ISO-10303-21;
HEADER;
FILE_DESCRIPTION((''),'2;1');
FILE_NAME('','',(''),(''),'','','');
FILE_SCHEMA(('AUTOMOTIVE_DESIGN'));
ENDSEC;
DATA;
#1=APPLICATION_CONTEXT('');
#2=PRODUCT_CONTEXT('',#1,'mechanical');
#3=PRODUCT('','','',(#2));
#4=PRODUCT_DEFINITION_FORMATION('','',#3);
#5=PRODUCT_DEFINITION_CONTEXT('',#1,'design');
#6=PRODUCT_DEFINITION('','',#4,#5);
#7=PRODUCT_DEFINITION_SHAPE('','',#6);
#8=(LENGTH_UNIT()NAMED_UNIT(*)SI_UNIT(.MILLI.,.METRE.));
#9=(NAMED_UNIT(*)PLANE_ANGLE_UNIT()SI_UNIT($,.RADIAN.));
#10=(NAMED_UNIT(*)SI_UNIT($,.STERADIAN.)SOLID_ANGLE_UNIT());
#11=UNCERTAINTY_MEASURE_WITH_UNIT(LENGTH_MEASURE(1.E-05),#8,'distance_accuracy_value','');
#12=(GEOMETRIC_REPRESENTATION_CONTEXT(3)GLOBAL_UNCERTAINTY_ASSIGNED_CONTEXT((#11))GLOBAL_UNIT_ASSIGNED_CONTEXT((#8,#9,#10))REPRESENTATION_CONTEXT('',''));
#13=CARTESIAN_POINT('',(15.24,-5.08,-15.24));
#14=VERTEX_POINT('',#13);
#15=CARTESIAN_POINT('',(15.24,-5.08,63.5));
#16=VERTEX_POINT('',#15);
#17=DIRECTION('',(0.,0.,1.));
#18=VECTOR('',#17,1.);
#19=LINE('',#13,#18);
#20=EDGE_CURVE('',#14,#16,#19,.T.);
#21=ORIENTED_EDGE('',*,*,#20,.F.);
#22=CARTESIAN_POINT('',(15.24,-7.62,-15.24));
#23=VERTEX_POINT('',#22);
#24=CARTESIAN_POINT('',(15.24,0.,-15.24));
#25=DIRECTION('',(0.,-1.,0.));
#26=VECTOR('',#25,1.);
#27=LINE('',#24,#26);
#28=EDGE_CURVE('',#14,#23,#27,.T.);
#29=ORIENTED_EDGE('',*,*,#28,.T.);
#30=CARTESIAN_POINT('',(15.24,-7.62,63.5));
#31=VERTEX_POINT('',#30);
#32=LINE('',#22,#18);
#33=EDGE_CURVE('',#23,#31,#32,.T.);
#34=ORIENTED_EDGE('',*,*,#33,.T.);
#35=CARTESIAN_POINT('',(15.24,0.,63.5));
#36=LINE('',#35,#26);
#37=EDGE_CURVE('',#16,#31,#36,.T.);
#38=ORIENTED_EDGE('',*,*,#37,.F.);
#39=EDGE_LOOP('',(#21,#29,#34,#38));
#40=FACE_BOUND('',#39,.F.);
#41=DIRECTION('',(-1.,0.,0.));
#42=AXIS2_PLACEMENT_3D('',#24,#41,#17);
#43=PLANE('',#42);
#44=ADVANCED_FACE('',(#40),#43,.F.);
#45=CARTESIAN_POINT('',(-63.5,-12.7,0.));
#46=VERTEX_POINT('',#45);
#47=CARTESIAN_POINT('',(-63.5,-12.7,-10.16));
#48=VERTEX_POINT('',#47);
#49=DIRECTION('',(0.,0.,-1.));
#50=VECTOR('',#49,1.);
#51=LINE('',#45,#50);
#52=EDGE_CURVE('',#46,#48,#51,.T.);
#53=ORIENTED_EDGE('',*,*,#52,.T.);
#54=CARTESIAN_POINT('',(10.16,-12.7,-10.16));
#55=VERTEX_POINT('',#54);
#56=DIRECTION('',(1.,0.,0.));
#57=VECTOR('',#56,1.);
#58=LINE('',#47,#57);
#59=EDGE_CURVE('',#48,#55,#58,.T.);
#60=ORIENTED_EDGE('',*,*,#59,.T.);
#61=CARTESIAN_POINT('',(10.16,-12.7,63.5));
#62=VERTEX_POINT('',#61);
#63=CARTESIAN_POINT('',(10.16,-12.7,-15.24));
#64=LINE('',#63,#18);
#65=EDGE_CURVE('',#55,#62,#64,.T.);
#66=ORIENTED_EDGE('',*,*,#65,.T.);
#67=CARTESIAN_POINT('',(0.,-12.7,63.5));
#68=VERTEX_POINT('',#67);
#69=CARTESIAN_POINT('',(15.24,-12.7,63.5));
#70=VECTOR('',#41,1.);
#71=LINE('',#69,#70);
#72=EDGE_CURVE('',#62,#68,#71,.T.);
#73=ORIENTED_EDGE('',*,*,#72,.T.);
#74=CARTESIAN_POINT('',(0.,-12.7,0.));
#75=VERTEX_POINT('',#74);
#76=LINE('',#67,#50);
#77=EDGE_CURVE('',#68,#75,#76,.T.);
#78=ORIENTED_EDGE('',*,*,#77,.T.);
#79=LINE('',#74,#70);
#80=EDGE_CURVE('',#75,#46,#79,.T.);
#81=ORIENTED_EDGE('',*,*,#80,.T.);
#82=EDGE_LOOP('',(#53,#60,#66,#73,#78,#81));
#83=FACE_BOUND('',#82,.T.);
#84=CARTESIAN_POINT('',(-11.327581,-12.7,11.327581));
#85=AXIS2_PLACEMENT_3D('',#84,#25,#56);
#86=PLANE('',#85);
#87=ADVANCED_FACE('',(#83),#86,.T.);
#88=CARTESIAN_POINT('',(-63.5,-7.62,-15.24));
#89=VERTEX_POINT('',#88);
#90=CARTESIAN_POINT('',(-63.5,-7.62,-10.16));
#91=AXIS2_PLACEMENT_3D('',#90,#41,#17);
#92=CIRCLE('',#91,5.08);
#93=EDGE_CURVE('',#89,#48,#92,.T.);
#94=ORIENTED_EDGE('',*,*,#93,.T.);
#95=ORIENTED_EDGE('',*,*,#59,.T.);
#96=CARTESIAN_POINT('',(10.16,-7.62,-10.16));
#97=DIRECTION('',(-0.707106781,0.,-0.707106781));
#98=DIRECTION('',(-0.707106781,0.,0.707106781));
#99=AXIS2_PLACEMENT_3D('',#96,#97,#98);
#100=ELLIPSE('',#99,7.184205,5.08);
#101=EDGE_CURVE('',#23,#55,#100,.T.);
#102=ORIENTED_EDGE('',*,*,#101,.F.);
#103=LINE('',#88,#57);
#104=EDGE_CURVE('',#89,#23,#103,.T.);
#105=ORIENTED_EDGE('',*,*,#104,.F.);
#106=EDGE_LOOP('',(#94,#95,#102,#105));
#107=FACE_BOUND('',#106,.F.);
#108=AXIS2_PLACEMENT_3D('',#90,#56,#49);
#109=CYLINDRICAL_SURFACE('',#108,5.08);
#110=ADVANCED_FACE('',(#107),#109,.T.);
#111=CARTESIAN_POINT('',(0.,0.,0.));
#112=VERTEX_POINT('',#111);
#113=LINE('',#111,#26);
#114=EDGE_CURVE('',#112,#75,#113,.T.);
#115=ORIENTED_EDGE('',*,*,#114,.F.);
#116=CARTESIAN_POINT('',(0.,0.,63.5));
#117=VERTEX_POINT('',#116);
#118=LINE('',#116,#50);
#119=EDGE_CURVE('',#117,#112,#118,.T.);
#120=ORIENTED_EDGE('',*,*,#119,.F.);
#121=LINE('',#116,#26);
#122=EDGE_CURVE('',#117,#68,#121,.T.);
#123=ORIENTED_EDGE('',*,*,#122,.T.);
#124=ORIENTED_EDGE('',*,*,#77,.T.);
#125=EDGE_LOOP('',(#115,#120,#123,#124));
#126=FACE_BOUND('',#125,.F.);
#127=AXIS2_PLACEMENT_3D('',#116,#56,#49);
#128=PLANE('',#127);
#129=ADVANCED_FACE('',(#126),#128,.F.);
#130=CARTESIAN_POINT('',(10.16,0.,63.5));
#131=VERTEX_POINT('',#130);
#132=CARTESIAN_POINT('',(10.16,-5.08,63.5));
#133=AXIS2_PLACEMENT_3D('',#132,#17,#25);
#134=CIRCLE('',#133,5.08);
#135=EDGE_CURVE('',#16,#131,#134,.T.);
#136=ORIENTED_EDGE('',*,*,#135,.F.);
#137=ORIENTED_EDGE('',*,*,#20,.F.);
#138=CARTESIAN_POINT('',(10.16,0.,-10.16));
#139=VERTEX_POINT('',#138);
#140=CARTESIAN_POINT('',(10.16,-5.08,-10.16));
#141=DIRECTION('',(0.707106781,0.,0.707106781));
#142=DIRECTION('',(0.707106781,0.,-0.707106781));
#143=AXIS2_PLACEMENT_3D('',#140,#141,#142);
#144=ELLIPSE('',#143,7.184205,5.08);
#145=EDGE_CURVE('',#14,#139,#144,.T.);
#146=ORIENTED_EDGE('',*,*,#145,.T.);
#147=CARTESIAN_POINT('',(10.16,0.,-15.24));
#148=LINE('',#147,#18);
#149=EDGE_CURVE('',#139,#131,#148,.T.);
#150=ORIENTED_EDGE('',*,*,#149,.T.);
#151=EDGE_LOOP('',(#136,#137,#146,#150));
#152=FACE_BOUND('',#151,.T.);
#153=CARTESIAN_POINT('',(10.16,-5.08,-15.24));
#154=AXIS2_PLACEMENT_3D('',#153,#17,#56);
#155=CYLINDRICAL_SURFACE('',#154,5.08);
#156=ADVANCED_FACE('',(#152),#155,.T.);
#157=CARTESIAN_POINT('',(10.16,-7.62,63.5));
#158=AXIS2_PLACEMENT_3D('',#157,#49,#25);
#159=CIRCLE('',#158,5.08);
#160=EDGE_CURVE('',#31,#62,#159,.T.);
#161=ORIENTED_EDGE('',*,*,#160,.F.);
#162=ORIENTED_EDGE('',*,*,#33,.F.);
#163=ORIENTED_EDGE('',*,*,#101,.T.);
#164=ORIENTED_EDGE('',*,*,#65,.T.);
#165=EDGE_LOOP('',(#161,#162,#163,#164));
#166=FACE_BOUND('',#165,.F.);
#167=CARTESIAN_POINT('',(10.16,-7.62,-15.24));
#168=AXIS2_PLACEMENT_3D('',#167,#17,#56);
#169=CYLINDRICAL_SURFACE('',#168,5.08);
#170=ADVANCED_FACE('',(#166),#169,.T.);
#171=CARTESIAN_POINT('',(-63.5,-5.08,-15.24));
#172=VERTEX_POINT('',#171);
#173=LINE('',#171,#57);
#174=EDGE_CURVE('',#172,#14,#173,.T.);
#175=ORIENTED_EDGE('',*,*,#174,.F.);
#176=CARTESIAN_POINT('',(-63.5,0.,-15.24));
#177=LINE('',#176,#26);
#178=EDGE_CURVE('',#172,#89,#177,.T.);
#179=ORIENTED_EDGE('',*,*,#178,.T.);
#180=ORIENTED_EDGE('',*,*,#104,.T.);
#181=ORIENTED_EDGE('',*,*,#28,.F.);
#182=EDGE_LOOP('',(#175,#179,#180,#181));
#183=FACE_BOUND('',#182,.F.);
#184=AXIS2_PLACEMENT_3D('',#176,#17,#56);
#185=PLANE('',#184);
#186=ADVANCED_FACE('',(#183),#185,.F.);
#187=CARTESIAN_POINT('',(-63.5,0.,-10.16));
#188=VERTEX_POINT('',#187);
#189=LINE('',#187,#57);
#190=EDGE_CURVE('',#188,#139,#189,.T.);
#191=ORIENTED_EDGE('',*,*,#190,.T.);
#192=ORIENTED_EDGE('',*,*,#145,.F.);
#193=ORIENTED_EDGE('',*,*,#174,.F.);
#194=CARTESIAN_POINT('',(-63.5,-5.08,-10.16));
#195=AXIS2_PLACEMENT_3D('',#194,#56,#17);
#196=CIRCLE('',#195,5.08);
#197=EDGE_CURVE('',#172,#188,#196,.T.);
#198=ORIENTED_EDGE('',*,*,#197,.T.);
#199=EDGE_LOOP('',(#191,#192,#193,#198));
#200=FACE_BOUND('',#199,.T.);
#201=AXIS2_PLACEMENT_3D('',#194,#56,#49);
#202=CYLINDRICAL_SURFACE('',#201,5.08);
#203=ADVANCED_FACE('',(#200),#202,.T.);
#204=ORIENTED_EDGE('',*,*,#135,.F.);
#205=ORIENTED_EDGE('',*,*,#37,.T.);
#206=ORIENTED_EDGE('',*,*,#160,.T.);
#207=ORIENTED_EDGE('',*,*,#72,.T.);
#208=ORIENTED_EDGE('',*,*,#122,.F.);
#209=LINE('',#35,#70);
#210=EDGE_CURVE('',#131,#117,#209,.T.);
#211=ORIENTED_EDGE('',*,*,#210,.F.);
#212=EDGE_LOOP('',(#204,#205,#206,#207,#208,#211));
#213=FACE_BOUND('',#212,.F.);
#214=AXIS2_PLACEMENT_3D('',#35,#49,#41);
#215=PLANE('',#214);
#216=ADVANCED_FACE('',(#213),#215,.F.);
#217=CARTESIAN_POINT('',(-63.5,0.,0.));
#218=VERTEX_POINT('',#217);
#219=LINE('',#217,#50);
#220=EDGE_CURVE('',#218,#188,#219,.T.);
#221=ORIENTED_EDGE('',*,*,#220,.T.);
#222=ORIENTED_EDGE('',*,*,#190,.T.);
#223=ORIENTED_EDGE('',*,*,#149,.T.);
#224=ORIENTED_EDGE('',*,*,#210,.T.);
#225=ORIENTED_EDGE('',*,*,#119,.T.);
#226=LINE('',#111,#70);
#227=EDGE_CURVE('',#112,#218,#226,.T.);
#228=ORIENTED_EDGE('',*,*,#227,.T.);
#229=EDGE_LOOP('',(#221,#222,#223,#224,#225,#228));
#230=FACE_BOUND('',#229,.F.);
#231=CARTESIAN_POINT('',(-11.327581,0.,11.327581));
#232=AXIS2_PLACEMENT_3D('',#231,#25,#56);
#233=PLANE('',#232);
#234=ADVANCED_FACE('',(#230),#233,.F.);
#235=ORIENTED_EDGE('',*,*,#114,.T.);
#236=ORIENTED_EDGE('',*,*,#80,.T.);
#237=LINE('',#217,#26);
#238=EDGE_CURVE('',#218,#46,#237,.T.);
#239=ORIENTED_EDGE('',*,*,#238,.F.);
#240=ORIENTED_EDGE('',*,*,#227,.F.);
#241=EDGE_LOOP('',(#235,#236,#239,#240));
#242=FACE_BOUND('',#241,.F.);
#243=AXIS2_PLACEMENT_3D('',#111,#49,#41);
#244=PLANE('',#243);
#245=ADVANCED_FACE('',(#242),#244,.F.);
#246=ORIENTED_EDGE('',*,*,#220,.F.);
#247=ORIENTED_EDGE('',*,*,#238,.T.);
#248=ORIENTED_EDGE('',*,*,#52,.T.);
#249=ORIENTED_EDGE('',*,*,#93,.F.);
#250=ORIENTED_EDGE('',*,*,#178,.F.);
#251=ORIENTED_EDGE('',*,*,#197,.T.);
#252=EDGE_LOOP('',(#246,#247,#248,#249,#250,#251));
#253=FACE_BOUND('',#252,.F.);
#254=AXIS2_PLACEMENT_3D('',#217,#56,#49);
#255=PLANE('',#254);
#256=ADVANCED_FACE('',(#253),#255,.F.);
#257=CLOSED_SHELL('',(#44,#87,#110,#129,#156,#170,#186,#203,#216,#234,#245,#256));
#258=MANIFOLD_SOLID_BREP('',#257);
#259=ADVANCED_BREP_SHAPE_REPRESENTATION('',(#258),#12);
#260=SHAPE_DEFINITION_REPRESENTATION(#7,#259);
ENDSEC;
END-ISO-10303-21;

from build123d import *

# Parameters (mm, degrees)
F1_DEPTH = 12.7
F2_R     = 5.08


with BuildPart() as f1:
    # F0 (on Front) → F1 (new body)
    with BuildSketch(Plane.XZ):
        Polygon((0, 0), (-63.5, 0), (-63.5, -15.24), (15.24, -15.24), (15.24, 63.5), (0, 63.5), align=None)
    extrude(amount=F1_DEPTH)

    # F2
    f2_edges = [f1.edges().sort_by_distance(p)[0] for p in [
        (15.24, -12.7, 24.13),
        (-24.13, -12.7, -15.24),
        (-24.13, 0, -15.24),
        (15.24, 0, 24.13),
    ]]
    fillet(f2_edges, radius=F2_R)


solid = f1.part
